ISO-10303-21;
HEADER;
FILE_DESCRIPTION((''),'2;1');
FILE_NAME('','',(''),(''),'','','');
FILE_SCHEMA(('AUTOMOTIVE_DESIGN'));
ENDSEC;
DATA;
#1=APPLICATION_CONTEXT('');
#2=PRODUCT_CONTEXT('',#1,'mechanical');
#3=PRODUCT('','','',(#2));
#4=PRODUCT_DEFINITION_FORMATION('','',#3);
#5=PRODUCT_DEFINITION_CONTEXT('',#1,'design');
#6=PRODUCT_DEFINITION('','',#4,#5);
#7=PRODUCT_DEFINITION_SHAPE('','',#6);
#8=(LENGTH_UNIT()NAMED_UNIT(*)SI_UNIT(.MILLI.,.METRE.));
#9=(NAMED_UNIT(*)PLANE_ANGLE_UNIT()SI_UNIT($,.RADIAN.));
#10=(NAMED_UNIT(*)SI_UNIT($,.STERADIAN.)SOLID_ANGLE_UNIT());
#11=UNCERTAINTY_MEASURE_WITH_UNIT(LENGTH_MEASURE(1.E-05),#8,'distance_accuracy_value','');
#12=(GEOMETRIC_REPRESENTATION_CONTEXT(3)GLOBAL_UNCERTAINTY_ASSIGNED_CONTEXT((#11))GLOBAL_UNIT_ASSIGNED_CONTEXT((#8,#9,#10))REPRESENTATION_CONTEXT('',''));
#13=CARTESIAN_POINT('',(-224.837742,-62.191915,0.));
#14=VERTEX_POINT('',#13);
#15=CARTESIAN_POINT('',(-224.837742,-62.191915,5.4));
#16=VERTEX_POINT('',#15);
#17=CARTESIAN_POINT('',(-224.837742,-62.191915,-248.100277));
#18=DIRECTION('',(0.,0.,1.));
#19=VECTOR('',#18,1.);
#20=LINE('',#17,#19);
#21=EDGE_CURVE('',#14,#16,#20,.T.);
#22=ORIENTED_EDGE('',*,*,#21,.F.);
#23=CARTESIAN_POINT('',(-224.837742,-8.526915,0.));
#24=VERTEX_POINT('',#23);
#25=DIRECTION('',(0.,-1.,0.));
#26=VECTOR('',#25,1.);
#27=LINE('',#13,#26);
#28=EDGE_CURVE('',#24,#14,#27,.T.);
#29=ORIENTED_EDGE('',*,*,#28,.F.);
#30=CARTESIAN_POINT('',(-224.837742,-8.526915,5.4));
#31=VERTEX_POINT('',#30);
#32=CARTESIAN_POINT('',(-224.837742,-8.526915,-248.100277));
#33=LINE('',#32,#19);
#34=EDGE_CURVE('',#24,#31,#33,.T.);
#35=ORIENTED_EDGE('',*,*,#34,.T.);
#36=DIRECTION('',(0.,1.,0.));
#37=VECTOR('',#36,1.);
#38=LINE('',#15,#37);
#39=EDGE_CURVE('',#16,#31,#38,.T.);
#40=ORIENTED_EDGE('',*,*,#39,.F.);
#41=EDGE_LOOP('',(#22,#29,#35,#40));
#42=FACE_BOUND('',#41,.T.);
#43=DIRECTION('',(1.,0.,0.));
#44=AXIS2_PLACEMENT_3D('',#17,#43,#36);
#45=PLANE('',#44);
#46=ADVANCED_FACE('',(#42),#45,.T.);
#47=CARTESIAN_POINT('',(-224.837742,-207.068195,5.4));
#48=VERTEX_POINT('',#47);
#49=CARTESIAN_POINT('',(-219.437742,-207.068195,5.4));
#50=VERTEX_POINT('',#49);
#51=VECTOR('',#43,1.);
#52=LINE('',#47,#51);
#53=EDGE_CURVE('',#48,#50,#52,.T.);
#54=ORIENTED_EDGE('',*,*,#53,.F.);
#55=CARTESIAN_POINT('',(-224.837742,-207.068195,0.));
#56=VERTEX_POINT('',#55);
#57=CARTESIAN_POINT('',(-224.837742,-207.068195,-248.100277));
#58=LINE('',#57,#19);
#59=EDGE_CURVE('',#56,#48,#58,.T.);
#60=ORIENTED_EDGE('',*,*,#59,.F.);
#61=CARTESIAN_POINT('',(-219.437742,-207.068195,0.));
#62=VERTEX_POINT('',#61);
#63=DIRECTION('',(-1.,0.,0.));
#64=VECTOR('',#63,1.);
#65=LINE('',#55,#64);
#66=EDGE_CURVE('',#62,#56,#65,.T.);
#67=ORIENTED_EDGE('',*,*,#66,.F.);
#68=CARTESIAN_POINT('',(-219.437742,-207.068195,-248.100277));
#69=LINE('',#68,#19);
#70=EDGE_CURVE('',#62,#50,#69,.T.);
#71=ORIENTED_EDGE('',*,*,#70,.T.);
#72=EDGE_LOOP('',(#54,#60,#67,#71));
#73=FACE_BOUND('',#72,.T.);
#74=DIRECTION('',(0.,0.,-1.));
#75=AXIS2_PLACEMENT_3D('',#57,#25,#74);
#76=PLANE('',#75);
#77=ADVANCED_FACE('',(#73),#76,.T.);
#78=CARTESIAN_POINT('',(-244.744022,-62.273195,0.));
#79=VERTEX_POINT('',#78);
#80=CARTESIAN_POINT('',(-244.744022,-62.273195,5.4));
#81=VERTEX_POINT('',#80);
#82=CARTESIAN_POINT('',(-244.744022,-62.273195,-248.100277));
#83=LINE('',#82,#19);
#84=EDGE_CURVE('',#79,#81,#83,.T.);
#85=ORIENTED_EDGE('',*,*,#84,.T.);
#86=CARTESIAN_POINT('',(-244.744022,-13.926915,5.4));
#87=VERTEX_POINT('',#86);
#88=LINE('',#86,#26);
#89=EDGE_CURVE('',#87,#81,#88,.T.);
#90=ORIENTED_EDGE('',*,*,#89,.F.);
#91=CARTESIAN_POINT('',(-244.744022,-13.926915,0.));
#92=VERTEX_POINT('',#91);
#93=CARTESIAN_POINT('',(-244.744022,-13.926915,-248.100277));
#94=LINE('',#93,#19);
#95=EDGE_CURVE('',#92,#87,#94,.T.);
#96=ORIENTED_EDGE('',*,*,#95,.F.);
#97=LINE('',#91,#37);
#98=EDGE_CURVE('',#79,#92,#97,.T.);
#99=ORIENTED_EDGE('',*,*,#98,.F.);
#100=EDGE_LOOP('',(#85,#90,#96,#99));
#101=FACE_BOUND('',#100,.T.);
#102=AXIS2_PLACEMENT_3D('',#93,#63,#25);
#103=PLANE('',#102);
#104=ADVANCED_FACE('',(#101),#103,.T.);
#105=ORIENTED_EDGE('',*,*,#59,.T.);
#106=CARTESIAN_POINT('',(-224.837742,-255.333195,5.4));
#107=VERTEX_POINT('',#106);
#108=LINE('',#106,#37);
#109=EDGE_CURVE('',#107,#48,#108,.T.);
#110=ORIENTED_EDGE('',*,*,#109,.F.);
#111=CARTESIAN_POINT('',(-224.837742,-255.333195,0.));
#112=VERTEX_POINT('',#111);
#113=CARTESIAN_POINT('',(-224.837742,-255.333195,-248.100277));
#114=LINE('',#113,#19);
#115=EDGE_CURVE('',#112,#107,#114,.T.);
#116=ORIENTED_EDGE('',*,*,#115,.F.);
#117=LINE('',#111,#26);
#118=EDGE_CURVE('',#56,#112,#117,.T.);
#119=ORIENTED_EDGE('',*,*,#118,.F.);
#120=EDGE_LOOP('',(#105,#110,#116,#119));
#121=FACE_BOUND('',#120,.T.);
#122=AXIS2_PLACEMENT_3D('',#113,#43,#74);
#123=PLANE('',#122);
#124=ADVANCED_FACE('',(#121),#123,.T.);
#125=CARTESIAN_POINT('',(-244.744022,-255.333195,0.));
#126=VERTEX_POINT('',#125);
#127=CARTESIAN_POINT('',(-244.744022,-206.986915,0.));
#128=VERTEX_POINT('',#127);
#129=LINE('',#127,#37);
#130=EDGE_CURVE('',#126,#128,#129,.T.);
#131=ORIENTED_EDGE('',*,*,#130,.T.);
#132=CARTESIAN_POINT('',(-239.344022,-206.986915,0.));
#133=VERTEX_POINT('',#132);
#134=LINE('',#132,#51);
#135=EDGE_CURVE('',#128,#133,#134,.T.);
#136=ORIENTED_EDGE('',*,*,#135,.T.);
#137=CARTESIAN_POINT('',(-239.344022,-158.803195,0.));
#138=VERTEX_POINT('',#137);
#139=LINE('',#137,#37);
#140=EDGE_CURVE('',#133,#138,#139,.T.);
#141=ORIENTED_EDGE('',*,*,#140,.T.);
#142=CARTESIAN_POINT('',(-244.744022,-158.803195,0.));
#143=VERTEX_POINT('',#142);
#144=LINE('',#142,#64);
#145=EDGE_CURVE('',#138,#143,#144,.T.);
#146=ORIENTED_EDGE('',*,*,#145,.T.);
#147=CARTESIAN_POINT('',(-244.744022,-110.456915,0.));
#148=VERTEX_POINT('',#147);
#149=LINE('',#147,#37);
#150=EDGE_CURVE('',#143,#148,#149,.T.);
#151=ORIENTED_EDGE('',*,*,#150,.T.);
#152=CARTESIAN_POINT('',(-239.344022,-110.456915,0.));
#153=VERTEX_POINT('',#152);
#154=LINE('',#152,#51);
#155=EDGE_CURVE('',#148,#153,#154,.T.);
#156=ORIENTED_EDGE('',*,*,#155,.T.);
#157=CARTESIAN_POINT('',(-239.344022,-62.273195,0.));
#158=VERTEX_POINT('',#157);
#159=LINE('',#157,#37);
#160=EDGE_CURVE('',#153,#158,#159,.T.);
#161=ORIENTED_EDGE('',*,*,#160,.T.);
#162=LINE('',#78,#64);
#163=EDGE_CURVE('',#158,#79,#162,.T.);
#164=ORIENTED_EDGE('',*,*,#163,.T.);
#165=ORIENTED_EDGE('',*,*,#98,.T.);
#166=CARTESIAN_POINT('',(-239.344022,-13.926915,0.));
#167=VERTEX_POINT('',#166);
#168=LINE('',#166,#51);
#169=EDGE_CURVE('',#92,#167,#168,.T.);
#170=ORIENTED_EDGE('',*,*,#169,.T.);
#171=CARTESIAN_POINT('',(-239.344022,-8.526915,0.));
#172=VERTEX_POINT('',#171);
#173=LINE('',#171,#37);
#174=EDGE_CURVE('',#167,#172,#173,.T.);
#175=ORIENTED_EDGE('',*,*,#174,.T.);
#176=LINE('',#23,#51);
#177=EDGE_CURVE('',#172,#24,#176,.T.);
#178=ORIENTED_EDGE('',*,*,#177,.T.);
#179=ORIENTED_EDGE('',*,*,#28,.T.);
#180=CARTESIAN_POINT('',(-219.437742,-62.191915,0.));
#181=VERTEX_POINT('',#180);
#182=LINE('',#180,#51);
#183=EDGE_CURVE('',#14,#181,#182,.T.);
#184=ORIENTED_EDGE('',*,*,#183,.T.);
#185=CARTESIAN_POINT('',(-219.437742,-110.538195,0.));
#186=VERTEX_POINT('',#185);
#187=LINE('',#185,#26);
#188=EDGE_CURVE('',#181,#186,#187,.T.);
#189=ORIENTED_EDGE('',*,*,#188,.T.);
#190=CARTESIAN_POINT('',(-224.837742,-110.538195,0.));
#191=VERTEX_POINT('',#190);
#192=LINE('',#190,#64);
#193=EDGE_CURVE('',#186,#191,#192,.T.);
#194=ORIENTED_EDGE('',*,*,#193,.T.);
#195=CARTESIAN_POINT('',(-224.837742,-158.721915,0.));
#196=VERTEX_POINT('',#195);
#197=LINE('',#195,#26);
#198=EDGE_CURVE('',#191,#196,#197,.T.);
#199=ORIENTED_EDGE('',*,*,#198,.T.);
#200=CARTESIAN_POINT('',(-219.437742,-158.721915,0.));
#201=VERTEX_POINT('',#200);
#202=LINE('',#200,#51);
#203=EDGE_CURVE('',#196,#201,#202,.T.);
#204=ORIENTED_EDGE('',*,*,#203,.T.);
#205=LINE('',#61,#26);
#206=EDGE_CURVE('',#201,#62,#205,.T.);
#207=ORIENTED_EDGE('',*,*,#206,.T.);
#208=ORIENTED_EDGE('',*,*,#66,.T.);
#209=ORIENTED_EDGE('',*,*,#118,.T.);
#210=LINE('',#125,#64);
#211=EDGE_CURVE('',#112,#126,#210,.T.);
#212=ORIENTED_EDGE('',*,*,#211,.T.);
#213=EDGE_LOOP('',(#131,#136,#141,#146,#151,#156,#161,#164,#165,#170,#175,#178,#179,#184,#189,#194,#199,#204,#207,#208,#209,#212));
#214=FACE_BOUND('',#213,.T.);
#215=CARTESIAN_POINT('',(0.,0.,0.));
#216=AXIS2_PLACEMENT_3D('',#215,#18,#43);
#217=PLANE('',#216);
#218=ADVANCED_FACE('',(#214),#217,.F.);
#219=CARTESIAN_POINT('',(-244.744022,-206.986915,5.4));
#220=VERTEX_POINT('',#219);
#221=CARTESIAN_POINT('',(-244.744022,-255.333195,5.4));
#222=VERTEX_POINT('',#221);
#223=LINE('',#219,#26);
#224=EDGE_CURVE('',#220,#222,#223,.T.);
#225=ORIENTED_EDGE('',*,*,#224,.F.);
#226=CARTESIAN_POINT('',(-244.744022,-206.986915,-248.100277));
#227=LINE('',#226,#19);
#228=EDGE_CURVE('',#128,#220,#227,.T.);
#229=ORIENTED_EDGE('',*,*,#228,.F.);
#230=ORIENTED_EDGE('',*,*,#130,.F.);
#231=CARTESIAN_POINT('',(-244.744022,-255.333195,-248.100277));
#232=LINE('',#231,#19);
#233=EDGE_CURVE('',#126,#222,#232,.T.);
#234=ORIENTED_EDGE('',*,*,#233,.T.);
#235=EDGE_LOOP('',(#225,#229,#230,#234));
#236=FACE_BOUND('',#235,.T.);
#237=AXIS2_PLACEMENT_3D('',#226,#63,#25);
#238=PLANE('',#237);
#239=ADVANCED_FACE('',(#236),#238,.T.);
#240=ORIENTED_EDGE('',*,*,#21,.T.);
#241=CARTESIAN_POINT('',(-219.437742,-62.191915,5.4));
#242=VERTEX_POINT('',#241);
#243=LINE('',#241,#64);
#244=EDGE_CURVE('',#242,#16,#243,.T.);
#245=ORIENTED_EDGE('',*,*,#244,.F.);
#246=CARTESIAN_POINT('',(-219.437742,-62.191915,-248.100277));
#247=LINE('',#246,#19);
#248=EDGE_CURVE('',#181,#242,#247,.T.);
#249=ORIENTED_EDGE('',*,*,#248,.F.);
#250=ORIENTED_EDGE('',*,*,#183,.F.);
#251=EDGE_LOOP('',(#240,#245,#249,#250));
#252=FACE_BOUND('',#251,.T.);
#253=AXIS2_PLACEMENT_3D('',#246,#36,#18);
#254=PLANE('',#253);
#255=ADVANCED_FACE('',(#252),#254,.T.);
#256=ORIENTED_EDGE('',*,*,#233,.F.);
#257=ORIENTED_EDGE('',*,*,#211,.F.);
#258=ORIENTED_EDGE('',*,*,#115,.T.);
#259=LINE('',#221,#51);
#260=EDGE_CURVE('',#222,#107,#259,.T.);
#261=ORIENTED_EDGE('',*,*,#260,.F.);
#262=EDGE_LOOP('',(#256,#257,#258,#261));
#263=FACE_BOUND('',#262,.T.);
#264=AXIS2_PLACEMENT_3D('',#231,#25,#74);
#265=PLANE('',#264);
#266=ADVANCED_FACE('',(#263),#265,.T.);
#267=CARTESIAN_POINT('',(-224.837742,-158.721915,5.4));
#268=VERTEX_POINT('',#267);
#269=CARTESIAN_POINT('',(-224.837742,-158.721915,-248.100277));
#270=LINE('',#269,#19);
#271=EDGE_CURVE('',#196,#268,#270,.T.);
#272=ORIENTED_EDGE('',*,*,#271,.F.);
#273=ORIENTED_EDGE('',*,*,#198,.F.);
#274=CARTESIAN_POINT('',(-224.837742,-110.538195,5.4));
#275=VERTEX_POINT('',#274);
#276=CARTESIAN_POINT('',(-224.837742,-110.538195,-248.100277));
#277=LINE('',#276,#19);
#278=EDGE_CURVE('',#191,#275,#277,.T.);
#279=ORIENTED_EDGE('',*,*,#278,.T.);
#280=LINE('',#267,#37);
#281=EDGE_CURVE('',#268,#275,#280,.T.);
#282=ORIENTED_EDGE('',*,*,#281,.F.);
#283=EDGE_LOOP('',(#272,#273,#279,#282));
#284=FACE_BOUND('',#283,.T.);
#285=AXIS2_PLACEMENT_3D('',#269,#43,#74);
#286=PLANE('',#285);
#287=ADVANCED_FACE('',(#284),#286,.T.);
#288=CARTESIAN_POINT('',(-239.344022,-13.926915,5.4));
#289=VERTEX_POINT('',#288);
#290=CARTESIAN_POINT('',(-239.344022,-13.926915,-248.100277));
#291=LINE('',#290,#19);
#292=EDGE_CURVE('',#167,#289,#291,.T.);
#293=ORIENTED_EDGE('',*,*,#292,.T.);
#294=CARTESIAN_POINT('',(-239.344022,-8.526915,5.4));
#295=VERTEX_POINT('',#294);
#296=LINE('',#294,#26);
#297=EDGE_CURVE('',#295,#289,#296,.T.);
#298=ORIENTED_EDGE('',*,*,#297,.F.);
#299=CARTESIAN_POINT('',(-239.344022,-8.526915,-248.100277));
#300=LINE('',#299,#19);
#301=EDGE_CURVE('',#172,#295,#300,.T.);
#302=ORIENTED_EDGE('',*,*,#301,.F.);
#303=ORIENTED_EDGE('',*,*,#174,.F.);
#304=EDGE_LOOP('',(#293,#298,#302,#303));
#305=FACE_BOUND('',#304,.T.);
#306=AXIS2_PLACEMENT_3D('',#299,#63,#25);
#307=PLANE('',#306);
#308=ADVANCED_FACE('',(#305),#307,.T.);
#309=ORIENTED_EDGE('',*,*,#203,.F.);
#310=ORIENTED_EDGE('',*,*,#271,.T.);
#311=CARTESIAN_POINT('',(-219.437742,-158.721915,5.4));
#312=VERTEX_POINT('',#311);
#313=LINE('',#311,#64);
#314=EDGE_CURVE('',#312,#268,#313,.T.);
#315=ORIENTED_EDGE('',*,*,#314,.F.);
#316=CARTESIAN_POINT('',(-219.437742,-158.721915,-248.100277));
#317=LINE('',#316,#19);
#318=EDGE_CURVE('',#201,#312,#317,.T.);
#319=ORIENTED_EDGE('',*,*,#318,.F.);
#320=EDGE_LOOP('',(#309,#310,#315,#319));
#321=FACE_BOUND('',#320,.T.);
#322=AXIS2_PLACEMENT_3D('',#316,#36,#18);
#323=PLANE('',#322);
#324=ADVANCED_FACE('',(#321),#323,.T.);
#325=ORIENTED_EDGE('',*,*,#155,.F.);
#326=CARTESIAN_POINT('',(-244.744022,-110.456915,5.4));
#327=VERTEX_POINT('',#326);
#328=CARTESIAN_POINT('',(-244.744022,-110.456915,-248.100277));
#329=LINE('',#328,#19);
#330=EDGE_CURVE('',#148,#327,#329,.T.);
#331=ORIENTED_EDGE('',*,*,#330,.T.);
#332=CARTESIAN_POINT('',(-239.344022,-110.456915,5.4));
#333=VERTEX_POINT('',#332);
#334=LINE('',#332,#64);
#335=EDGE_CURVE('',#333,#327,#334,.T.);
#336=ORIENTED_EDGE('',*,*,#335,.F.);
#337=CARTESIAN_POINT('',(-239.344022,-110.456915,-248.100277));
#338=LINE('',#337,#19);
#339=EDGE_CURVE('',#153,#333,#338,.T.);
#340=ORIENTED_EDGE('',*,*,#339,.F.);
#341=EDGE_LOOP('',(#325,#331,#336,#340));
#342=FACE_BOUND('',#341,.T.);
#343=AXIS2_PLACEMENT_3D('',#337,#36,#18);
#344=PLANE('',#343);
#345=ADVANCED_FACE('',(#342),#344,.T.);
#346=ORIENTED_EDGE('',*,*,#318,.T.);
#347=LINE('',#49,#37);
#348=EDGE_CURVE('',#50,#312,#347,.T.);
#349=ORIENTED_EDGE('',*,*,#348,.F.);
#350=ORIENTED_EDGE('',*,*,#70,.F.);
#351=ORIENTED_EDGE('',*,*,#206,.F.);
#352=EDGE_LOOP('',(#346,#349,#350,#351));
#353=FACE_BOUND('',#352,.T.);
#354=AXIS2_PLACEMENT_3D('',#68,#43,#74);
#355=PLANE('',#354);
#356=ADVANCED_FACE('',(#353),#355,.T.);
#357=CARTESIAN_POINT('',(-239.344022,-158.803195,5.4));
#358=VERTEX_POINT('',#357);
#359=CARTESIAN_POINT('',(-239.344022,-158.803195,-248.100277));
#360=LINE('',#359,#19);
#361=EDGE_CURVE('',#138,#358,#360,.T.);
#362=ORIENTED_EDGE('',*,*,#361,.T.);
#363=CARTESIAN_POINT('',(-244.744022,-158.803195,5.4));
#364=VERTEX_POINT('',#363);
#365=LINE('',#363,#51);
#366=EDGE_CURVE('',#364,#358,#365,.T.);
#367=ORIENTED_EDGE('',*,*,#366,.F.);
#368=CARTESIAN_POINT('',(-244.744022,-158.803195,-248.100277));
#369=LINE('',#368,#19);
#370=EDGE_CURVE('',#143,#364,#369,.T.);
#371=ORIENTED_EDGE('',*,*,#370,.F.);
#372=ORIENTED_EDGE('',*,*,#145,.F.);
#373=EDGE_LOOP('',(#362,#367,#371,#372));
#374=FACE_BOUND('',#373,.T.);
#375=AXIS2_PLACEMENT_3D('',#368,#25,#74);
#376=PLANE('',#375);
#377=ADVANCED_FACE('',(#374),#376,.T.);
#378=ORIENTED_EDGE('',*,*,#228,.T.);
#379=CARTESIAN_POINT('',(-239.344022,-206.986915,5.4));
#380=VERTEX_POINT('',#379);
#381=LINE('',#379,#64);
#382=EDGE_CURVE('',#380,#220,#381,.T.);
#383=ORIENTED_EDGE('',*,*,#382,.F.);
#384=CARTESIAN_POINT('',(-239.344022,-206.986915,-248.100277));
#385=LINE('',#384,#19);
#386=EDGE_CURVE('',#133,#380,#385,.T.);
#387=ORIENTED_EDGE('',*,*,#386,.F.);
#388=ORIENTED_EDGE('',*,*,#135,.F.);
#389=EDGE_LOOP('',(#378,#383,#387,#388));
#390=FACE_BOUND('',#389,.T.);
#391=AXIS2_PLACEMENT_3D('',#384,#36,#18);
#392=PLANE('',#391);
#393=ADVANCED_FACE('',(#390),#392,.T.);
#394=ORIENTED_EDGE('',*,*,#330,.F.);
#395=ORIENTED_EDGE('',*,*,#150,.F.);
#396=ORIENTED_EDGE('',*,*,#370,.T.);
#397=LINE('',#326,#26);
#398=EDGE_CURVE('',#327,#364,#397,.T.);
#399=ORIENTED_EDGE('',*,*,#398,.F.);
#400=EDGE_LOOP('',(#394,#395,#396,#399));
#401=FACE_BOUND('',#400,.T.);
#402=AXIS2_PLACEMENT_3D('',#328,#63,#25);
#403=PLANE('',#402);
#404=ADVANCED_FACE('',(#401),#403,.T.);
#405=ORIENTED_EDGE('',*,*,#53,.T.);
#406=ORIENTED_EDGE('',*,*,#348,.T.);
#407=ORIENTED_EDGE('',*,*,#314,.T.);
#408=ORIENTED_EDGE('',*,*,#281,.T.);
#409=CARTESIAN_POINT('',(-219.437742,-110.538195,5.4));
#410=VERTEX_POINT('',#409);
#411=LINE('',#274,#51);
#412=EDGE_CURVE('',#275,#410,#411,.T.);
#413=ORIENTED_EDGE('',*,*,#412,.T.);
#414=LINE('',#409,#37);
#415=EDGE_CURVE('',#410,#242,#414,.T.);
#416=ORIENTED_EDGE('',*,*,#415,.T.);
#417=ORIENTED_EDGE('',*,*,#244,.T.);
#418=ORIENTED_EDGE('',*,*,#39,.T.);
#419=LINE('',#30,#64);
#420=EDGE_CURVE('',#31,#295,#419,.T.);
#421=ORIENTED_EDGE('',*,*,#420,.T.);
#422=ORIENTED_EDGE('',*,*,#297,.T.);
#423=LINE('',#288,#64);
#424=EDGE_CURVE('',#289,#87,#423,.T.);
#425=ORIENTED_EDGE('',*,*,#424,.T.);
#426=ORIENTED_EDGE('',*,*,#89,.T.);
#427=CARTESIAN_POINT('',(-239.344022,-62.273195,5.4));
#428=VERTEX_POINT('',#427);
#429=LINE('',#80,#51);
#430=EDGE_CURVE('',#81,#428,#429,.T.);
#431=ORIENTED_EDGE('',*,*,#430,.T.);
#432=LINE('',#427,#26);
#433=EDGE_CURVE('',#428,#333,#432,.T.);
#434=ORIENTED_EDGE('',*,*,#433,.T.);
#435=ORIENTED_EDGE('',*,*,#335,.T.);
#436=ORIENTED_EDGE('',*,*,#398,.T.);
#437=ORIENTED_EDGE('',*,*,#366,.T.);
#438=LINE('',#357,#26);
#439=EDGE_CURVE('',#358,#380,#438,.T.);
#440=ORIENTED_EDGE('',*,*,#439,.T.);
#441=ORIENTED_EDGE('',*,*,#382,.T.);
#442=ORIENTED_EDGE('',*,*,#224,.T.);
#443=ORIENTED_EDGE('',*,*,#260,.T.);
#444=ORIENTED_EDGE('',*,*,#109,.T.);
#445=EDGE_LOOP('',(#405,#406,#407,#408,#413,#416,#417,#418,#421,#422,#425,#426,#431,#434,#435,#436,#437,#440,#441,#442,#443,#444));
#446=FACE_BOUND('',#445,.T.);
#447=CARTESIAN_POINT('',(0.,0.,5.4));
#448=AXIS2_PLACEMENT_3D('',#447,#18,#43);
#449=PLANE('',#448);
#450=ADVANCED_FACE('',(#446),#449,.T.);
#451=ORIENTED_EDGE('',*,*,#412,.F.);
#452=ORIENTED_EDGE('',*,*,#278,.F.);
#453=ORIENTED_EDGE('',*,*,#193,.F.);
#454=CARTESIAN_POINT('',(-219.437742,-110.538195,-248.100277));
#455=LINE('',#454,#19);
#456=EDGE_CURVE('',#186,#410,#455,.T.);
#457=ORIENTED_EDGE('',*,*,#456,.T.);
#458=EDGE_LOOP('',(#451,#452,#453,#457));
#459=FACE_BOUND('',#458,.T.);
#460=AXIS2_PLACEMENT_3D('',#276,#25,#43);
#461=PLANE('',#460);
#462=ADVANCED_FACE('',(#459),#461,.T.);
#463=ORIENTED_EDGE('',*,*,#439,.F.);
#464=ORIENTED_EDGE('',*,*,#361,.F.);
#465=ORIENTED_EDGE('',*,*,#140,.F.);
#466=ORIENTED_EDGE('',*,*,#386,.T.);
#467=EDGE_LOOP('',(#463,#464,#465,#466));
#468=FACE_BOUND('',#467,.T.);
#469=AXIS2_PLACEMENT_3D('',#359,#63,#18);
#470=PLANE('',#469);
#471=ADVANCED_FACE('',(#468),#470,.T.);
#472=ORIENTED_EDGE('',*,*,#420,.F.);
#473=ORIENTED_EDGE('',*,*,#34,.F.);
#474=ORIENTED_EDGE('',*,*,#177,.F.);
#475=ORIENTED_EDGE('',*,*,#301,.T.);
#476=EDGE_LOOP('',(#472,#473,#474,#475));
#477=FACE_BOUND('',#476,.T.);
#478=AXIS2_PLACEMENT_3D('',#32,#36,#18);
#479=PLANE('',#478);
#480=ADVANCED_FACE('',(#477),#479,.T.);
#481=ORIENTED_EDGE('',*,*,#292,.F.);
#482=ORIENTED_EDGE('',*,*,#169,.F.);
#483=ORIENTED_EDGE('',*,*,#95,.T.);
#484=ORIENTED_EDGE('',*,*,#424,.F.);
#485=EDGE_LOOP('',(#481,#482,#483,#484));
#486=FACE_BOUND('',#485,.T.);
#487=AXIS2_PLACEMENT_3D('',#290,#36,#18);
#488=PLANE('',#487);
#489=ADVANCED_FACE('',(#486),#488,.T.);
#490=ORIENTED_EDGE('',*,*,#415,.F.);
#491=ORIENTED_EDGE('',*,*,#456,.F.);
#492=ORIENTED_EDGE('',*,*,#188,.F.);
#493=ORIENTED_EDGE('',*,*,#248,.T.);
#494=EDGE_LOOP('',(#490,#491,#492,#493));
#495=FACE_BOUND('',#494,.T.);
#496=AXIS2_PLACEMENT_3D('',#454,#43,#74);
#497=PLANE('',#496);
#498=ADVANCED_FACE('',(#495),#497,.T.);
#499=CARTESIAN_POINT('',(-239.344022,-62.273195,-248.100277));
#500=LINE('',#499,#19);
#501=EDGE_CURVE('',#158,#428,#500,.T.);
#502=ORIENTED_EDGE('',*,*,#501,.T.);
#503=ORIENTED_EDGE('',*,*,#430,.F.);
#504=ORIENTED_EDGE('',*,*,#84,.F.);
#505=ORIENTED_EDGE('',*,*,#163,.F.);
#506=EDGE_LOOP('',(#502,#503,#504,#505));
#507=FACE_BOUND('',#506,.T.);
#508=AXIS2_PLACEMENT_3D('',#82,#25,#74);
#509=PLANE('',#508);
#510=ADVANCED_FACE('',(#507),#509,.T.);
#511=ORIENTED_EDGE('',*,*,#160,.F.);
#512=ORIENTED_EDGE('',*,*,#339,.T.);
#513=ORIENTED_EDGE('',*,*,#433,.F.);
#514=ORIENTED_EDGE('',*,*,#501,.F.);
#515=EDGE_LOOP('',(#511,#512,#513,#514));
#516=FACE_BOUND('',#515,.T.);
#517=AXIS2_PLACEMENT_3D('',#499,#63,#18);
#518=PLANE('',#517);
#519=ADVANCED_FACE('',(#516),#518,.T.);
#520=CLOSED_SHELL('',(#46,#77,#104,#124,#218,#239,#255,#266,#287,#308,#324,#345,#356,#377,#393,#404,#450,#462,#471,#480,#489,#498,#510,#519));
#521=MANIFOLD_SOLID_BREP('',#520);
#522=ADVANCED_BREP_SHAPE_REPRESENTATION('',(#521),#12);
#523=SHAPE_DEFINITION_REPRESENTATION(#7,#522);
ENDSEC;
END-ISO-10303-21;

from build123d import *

# Parameters (mm, degrees)
BOSS_EXTRUDE1_DEPTH = 5.4
BOSS_EXTRUDE2_DEPTH = 5.4


with BuildPart() as part:
    # Sketch1 → Boss-Extrude1 (new body)
    with BuildSketch(Plane.XY):
        Polygon((-239.303382108, -8.567555325), (-239.303382108, -13.967555325), (-244.703382108, -13.967555325), (-244.703382108, -62.232555325), (-239.303382108, -62.232555325), (-239.303382108, -110.497555325), (-244.703382108, -110.497555325), (-244.703382108, -158.762555325), (-239.303382108, -158.762555325), (-239.303382108, -207.027555325), (-244.703382108, -207.027555325), (-244.703382108, -255.292555325), (-224.878382108, -255.292555325), (-224.878382108, -207.027555325), (-219.478382108, -207.027555325), (-219.478382108, -158.762555325), (-224.878382108, -158.762555325), (-224.878382108, -110.497555325), (-219.478382108, -110.497555325), (-219.478382108, -62.232555325), (-224.878382108, -62.232555325), (-224.878382108, -8.567555325), align=None)
    extrude(amount=BOSS_EXTRUDE1_DEPTH)

    # Sketch2 → Boss-Extrude2 (add)
    with BuildSketch(Plane.XY.offset(5.4)):
        Polygon((-239.344022108, -8.526915325), (-239.344022108, -13.926915325), (-244.744022108, -13.926915325), (-244.744022108, -62.273195325), (-239.344022108, -62.273195325), (-239.344022108, -110.456915325), (-244.744022108, -110.456915325), (-244.744022108, -158.803195325), (-239.344022108, -158.803195325), (-239.344022108, -206.986915325), (-244.744022108, -206.986915325), (-244.744022108, -255.333195325), (-224.837742108, -255.333195325), (-224.837742108, -207.068195325), (-219.437742108, -207.068195325), (-219.437742108, -158.721915325), (-224.837742108, -158.721915325), (-224.837742108, -110.538195325), (-219.437742108, -110.538195325), (-219.437742108, -62.191915325), (-224.837742108, -62.191915325), (-224.837742108, -8.526915325), align=None)
    extrude(amount=-BOSS_EXTRUDE2_DEPTH)


solid = part.part
